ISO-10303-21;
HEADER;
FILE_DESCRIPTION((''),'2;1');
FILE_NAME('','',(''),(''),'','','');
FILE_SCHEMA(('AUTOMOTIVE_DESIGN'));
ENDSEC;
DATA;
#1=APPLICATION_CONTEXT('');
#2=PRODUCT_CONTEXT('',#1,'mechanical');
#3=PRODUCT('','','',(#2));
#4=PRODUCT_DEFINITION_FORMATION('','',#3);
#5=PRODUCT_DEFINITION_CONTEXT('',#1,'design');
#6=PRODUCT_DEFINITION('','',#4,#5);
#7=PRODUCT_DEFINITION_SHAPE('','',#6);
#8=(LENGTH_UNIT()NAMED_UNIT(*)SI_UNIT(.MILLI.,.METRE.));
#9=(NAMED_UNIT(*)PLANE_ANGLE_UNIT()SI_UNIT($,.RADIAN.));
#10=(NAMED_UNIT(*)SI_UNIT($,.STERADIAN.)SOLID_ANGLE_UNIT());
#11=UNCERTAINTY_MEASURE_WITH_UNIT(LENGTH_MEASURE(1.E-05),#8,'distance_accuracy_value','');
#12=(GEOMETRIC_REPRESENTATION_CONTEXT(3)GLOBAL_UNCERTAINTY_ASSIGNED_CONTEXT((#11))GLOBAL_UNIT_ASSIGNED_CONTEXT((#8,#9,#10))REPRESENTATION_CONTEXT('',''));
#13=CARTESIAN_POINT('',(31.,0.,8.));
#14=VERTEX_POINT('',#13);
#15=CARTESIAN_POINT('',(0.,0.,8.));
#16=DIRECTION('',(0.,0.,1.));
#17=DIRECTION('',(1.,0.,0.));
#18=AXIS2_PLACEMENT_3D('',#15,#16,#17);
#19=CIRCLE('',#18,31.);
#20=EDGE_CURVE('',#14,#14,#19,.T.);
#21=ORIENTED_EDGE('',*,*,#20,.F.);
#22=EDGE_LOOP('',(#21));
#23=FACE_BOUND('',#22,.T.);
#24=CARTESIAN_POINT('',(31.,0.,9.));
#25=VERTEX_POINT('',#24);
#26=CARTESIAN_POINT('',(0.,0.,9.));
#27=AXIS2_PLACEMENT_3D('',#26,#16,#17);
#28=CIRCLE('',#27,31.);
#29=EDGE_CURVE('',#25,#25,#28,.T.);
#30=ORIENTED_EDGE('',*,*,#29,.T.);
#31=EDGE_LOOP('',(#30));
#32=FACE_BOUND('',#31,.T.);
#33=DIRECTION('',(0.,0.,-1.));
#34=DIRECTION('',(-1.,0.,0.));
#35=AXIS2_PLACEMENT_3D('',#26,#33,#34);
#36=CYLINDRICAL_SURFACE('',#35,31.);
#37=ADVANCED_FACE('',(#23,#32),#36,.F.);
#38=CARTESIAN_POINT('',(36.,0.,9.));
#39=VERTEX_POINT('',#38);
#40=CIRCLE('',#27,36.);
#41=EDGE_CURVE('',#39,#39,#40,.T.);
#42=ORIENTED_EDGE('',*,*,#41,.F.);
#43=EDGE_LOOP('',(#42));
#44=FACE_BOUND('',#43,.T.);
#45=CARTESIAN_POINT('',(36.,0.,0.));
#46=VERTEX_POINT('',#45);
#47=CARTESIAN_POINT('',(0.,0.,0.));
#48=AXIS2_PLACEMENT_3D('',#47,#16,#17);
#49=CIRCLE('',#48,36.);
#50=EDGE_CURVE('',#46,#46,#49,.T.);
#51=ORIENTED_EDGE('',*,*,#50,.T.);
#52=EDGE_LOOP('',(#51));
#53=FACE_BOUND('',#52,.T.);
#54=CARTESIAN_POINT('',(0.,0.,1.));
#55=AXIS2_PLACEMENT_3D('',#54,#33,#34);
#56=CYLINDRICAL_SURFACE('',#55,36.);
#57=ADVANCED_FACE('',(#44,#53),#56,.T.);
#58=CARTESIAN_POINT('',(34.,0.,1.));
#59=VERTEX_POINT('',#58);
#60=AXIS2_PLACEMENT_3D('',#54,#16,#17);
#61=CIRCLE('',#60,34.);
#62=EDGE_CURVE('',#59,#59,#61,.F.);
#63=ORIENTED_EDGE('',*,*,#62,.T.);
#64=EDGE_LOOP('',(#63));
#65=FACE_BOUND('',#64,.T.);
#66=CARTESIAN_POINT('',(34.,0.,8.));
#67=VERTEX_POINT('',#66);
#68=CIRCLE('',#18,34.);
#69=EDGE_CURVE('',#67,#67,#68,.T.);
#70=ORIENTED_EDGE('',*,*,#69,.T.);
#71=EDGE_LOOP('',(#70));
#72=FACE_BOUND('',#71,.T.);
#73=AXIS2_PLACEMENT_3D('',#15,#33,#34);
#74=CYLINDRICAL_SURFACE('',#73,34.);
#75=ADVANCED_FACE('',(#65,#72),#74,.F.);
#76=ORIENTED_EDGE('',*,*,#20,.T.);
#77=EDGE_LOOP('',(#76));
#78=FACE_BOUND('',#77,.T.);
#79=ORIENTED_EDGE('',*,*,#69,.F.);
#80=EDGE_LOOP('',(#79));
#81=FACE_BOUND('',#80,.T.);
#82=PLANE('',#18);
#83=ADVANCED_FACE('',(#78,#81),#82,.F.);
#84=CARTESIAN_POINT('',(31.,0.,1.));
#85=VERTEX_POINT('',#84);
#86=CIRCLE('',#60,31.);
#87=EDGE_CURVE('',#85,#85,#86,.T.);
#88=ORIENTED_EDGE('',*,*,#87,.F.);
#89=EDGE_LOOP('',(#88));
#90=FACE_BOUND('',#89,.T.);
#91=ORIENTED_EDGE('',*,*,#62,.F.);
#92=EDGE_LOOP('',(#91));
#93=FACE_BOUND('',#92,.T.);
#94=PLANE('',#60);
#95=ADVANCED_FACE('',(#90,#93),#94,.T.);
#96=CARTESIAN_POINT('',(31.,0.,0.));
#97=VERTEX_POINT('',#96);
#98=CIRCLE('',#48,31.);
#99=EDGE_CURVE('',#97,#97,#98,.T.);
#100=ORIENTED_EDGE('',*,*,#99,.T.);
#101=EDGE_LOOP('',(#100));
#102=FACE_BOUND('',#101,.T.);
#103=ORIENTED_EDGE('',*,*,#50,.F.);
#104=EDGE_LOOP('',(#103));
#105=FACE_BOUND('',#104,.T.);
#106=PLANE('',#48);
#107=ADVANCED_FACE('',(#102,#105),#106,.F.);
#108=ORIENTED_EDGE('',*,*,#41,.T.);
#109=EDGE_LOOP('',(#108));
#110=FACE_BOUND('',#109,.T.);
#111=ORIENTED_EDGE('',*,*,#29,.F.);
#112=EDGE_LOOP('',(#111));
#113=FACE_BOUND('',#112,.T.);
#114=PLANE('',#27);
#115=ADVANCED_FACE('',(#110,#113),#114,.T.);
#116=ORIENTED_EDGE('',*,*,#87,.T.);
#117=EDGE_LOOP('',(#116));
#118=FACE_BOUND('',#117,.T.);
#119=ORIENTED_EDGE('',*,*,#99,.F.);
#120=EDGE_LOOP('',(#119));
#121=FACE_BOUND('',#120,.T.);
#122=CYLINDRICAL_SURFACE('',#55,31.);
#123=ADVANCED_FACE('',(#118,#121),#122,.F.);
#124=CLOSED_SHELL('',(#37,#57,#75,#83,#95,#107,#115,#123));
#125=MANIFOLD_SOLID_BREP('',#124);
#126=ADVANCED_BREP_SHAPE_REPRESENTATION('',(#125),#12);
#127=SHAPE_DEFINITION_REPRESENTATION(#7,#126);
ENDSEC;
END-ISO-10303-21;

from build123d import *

# Parameters (mm, degrees)
SKETCH1_R           = 36
SKETCH1_R_2         = 31
BOSS_EXTRUDE1_DEPTH = 1
SKETCH2_R           = 36
SKETCH2_R_2         = 34
BOSS_EXTRUDE2_DEPTH = 7
SKETCH3_R           = 36
SKETCH3_R_2         = 31
BOSS_EXTRUDE3_DEPTH = 1


with BuildPart() as part:
    # Sketch1 → Boss-Extrude1 (new body)
    with BuildSketch(Plane.XY):
        Circle(SKETCH1_R)
        Circle(SKETCH1_R_2, mode=Mode.SUBTRACT)
    extrude(amount=BOSS_EXTRUDE1_DEPTH)

    # Sketch2 → Boss-Extrude2 (add)
    with BuildSketch(Plane.XY.offset(1)):
        Circle(SKETCH2_R)
        Circle(SKETCH2_R_2, mode=Mode.SUBTRACT)
    extrude(amount=BOSS_EXTRUDE2_DEPTH)

    # Sketch3 → Boss-Extrude3 (add)
    with BuildSketch(Plane.XY.offset(8)):
        Circle(SKETCH3_R)
        Circle(SKETCH3_R_2, mode=Mode.SUBTRACT)
    extrude(amount=BOSS_EXTRUDE3_DEPTH)


solid = part.part
